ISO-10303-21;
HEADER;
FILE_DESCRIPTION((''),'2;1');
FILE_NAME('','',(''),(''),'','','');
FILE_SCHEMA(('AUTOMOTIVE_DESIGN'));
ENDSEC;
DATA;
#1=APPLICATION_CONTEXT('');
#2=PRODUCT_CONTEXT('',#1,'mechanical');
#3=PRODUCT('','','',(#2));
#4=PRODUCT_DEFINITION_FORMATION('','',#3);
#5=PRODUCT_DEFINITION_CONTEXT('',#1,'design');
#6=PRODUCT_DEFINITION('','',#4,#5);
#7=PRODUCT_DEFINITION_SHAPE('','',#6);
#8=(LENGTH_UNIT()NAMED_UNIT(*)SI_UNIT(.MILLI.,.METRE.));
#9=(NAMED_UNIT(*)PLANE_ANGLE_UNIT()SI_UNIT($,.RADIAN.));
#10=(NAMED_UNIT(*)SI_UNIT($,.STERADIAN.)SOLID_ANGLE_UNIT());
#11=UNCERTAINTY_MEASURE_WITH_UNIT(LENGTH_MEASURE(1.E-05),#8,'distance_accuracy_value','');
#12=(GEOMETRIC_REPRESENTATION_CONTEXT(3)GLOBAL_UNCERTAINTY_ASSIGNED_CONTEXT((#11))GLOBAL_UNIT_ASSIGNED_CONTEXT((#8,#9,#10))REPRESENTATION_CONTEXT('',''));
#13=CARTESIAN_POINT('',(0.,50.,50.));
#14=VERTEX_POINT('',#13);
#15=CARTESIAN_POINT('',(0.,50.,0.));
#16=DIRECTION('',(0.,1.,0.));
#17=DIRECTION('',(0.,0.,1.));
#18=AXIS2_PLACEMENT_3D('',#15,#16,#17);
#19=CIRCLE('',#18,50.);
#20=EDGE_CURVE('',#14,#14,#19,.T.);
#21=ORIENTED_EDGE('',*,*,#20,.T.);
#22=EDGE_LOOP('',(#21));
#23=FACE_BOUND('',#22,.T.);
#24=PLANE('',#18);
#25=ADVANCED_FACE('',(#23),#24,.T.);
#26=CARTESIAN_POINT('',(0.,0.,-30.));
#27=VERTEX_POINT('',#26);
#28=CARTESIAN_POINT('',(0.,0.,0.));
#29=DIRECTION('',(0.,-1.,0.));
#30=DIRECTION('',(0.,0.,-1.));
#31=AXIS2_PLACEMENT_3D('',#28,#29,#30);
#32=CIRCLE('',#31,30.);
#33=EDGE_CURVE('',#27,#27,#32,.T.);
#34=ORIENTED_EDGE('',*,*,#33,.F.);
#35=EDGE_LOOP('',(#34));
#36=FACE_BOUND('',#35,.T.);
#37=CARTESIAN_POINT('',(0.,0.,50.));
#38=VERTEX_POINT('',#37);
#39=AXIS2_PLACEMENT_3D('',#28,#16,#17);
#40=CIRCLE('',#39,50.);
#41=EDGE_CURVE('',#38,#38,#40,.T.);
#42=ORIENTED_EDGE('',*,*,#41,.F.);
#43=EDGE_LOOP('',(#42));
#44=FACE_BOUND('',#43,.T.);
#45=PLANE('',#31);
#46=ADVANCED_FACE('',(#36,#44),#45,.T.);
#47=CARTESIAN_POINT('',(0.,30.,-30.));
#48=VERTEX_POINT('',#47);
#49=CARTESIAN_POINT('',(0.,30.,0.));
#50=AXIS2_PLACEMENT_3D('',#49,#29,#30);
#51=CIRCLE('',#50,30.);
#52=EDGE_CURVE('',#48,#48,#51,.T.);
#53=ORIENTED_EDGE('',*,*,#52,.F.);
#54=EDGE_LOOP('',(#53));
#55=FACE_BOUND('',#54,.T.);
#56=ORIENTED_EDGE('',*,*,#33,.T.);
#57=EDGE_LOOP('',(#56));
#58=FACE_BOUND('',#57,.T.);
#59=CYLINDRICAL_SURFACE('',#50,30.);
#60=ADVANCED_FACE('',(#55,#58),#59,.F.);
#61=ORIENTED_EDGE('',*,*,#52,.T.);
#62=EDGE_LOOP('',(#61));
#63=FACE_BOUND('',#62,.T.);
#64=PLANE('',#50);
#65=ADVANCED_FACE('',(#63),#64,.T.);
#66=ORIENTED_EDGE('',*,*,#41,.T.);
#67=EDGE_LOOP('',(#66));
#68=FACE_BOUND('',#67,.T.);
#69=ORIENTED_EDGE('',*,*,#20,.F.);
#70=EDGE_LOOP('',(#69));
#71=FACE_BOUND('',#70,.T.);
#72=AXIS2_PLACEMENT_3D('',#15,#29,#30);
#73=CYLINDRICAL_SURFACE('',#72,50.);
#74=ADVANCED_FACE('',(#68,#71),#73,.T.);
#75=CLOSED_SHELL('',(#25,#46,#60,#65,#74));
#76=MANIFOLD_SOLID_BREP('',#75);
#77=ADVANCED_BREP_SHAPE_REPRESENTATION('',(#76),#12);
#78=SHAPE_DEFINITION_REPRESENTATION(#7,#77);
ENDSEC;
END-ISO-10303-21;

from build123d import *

# Parameters (mm, degrees)
SKETCH1_W           = 50
SKETCH1_H           = 25
BOSS_EXTRUDE1_DEPTH = 25
FILLET2_R           = 5
CUT_EXTRUDE1_DEPTH  = 15
SKETCH3_R           = 50
BOSS_EXTRUDE2_DEPTH = 50
SKETCH4_R           = 30
CUT_EXTRUDE2_DEPTH  = 30


with BuildPart() as part:
    # Sketch1 → Boss-Extrude1 (new body)
    with BuildSketch(Plane(origin=(0, 0, 0), x_dir=(1, 0, 0), z_dir=(0, 1, 0))):
        Rectangle(SKETCH1_W, SKETCH1_H)
    extrude(amount=BOSS_EXTRUDE1_DEPTH)

    # Fillet2
    fillet2_edges = [part.edges().sort_by_distance(p)[0] for p in [
        (25, 12.5, 12.5),
        (-25, 12.5, 12.5),
        (-25, 12.5, -12.5),
        (25, 12.5, -12.5),
    ]]
    fillet(fillet2_edges, radius=FILLET2_R)

    # Sketch2 → Cut-Extrude1 (cut)
    with BuildSketch(Plane(origin=(0, 25, 0), x_dir=(1, 0, 0), z_dir=(0, 1, 0))):
        with BuildLine():
            Line((-13.058351702, 9.034247402), (13.06, 9.034247402))
            ThreePointArc((13.06, 9.034247402), (22.094247402, 0), (13.06, -9.034247402))
            Line((13.06, -9.034247402), (-13.058351702, -9.034247402))
            ThreePointArc((-13.058351702, -9.034247402), (-22.092599103, 0), (-13.058351702, 9.034247402))
        make_face()
    extrude(amount=-CUT_EXTRUDE1_DEPTH, mode=Mode.SUBTRACT)

    # Sketch3 → Boss-Extrude2 (add)
    with BuildSketch(Plane(origin=(0, 0, 0), x_dir=(1, 0, 0), z_dir=(0, 1, 0))):
        with Locations(Location((0, 0, 0), (0, 0, 270))):
            Circle(SKETCH3_R)
    extrude(amount=BOSS_EXTRUDE2_DEPTH)

    # Sketch4 → Cut-Extrude2 (cut)
    with BuildSketch(Plane.XZ):
        with Locations(Location((0, 0, 0), (0, 0, 270))):
            Circle(SKETCH4_R)
    extrude(amount=-CUT_EXTRUDE2_DEPTH, mode=Mode.SUBTRACT)


solid = part.part
